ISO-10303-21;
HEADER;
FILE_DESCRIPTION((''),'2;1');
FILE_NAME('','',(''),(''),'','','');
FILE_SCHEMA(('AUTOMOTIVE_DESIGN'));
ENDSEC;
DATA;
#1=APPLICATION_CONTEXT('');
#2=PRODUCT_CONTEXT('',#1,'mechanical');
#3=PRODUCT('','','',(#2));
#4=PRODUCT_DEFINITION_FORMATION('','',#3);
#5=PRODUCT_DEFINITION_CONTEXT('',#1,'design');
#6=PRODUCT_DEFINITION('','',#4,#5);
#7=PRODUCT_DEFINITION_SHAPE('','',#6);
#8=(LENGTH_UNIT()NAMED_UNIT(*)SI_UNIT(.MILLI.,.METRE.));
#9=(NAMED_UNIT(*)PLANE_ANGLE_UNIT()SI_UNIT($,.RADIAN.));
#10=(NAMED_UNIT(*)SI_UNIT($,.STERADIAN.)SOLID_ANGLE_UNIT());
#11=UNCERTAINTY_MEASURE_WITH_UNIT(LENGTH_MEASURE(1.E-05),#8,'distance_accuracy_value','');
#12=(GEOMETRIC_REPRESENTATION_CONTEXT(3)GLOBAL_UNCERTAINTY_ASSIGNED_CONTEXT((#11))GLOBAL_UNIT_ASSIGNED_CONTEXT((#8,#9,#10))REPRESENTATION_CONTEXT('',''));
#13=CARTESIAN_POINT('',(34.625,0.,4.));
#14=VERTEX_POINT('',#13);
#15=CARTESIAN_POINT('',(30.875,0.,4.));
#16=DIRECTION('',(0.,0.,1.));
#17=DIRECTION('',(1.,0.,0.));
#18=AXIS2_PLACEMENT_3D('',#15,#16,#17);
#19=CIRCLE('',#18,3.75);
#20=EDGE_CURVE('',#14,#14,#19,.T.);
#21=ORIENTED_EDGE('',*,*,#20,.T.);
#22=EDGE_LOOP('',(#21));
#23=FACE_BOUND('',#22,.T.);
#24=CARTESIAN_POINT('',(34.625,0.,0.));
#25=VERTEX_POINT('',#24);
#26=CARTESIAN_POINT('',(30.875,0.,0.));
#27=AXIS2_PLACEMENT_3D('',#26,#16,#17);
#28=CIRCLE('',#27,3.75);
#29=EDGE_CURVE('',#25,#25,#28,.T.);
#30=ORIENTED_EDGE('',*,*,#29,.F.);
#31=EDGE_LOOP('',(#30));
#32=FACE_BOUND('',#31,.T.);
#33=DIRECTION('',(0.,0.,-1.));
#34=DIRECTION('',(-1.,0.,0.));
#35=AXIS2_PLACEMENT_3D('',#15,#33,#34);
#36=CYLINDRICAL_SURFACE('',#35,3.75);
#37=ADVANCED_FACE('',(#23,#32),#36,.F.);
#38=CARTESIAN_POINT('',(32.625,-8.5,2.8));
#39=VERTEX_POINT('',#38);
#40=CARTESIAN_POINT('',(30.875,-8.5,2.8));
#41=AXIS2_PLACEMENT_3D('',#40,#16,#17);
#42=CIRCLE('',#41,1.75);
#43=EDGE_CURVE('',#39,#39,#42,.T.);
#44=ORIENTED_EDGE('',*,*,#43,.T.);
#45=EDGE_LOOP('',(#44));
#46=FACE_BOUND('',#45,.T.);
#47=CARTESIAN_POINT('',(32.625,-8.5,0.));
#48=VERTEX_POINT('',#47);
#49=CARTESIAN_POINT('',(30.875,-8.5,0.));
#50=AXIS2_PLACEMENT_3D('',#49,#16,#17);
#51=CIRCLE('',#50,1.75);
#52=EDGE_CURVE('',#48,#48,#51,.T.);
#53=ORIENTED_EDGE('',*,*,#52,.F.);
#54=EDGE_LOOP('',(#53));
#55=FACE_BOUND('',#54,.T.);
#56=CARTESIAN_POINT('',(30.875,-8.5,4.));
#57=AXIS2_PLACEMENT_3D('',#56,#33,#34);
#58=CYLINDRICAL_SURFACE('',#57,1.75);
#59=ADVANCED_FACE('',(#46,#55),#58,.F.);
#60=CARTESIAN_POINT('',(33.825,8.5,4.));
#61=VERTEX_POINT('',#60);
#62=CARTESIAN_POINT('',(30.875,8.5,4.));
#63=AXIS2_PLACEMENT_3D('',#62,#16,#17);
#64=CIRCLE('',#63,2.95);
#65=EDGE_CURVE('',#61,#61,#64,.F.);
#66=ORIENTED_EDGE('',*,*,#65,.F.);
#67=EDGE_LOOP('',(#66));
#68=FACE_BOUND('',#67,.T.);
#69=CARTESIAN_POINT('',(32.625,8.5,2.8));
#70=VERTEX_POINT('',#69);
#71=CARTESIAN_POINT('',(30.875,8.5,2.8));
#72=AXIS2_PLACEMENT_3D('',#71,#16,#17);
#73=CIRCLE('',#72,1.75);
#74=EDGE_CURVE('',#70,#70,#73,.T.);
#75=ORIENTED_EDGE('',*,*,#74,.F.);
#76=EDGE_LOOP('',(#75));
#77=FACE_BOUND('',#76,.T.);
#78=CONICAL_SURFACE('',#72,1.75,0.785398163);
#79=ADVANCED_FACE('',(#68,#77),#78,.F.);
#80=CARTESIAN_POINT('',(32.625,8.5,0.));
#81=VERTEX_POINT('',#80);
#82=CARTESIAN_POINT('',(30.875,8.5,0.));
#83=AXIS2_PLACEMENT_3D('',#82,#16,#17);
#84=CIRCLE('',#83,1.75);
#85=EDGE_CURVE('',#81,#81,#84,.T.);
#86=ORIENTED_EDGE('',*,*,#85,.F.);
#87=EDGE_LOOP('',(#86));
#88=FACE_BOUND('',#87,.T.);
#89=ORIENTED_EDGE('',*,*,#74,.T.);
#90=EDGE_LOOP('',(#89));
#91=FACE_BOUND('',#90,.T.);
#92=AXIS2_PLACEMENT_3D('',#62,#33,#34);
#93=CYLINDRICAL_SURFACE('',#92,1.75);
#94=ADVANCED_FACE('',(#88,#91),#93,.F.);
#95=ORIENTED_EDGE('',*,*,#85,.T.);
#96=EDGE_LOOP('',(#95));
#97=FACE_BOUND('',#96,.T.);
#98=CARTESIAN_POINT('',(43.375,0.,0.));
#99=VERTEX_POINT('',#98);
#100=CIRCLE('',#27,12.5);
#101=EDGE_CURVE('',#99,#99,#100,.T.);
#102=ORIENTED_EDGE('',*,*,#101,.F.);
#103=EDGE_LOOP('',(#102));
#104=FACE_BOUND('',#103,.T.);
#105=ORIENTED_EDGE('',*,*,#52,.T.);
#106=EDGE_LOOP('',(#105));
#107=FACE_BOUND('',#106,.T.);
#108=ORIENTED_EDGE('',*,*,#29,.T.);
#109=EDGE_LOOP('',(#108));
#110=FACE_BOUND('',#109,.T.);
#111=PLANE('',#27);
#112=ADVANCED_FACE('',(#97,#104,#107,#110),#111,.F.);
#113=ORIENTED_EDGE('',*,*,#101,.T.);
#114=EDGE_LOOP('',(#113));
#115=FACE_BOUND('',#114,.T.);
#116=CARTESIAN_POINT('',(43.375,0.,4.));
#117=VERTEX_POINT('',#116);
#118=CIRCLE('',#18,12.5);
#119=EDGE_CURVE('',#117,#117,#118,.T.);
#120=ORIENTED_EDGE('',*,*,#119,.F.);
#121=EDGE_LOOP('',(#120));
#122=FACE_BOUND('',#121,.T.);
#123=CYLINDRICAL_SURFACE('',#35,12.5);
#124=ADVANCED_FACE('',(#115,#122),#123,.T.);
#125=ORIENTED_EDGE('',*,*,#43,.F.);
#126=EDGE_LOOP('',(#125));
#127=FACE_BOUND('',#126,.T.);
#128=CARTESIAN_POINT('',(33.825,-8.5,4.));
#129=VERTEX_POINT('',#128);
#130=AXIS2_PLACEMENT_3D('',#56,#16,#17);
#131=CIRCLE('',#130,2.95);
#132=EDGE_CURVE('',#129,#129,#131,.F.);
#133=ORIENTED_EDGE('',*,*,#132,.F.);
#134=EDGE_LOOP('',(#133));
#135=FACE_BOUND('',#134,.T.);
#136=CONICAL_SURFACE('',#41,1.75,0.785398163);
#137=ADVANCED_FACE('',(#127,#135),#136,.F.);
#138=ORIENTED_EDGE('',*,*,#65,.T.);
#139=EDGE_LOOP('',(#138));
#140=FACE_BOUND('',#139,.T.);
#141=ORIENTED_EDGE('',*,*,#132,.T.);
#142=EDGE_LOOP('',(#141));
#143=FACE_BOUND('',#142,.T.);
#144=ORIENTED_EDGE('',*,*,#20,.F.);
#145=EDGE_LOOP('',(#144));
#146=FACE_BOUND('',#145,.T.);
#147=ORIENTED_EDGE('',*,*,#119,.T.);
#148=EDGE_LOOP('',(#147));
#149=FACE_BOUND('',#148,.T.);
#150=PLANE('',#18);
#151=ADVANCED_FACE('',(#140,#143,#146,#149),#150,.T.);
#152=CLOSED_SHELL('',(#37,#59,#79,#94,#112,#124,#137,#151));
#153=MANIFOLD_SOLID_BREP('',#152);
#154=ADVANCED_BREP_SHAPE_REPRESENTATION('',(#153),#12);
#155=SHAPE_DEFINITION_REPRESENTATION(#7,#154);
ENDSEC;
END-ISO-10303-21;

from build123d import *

# Parameters (mm, degrees)
SKETCH1_R           = 12.5
SKETCH1_R_2         = 1.75
SKETCH1_R_3         = 3.75
BOSS_EXTRUDE1_DEPTH = 4
CHAMFER2_SIZE       = 1.2


with BuildPart() as part:
    # Sketch1 → Boss-Extrude1 (new body)
    with BuildSketch(Plane.XY):
        with Locations((30.875, 0)):
            Circle(SKETCH1_R)
        with Locations((30.875, 8.5)):
            Circle(SKETCH1_R_2, mode=Mode.SUBTRACT)
        with Locations((30.875, -8.5)):
            Circle(SKETCH1_R_2, mode=Mode.SUBTRACT)
        with Locations((30.875, 0)):
            Circle(SKETCH1_R_3, mode=Mode.SUBTRACT)
    extrude(amount=BOSS_EXTRUDE1_DEPTH)

    # Chamfer2
    chamfer2_edges = [part.edges().sort_by_distance(p)[0] for p in [
        (29.125, 8.5, 4),
        (29.125, -8.5, 4),
    ]]
    chamfer(chamfer2_edges, length=CHAMFER2_SIZE)


solid = part.part
